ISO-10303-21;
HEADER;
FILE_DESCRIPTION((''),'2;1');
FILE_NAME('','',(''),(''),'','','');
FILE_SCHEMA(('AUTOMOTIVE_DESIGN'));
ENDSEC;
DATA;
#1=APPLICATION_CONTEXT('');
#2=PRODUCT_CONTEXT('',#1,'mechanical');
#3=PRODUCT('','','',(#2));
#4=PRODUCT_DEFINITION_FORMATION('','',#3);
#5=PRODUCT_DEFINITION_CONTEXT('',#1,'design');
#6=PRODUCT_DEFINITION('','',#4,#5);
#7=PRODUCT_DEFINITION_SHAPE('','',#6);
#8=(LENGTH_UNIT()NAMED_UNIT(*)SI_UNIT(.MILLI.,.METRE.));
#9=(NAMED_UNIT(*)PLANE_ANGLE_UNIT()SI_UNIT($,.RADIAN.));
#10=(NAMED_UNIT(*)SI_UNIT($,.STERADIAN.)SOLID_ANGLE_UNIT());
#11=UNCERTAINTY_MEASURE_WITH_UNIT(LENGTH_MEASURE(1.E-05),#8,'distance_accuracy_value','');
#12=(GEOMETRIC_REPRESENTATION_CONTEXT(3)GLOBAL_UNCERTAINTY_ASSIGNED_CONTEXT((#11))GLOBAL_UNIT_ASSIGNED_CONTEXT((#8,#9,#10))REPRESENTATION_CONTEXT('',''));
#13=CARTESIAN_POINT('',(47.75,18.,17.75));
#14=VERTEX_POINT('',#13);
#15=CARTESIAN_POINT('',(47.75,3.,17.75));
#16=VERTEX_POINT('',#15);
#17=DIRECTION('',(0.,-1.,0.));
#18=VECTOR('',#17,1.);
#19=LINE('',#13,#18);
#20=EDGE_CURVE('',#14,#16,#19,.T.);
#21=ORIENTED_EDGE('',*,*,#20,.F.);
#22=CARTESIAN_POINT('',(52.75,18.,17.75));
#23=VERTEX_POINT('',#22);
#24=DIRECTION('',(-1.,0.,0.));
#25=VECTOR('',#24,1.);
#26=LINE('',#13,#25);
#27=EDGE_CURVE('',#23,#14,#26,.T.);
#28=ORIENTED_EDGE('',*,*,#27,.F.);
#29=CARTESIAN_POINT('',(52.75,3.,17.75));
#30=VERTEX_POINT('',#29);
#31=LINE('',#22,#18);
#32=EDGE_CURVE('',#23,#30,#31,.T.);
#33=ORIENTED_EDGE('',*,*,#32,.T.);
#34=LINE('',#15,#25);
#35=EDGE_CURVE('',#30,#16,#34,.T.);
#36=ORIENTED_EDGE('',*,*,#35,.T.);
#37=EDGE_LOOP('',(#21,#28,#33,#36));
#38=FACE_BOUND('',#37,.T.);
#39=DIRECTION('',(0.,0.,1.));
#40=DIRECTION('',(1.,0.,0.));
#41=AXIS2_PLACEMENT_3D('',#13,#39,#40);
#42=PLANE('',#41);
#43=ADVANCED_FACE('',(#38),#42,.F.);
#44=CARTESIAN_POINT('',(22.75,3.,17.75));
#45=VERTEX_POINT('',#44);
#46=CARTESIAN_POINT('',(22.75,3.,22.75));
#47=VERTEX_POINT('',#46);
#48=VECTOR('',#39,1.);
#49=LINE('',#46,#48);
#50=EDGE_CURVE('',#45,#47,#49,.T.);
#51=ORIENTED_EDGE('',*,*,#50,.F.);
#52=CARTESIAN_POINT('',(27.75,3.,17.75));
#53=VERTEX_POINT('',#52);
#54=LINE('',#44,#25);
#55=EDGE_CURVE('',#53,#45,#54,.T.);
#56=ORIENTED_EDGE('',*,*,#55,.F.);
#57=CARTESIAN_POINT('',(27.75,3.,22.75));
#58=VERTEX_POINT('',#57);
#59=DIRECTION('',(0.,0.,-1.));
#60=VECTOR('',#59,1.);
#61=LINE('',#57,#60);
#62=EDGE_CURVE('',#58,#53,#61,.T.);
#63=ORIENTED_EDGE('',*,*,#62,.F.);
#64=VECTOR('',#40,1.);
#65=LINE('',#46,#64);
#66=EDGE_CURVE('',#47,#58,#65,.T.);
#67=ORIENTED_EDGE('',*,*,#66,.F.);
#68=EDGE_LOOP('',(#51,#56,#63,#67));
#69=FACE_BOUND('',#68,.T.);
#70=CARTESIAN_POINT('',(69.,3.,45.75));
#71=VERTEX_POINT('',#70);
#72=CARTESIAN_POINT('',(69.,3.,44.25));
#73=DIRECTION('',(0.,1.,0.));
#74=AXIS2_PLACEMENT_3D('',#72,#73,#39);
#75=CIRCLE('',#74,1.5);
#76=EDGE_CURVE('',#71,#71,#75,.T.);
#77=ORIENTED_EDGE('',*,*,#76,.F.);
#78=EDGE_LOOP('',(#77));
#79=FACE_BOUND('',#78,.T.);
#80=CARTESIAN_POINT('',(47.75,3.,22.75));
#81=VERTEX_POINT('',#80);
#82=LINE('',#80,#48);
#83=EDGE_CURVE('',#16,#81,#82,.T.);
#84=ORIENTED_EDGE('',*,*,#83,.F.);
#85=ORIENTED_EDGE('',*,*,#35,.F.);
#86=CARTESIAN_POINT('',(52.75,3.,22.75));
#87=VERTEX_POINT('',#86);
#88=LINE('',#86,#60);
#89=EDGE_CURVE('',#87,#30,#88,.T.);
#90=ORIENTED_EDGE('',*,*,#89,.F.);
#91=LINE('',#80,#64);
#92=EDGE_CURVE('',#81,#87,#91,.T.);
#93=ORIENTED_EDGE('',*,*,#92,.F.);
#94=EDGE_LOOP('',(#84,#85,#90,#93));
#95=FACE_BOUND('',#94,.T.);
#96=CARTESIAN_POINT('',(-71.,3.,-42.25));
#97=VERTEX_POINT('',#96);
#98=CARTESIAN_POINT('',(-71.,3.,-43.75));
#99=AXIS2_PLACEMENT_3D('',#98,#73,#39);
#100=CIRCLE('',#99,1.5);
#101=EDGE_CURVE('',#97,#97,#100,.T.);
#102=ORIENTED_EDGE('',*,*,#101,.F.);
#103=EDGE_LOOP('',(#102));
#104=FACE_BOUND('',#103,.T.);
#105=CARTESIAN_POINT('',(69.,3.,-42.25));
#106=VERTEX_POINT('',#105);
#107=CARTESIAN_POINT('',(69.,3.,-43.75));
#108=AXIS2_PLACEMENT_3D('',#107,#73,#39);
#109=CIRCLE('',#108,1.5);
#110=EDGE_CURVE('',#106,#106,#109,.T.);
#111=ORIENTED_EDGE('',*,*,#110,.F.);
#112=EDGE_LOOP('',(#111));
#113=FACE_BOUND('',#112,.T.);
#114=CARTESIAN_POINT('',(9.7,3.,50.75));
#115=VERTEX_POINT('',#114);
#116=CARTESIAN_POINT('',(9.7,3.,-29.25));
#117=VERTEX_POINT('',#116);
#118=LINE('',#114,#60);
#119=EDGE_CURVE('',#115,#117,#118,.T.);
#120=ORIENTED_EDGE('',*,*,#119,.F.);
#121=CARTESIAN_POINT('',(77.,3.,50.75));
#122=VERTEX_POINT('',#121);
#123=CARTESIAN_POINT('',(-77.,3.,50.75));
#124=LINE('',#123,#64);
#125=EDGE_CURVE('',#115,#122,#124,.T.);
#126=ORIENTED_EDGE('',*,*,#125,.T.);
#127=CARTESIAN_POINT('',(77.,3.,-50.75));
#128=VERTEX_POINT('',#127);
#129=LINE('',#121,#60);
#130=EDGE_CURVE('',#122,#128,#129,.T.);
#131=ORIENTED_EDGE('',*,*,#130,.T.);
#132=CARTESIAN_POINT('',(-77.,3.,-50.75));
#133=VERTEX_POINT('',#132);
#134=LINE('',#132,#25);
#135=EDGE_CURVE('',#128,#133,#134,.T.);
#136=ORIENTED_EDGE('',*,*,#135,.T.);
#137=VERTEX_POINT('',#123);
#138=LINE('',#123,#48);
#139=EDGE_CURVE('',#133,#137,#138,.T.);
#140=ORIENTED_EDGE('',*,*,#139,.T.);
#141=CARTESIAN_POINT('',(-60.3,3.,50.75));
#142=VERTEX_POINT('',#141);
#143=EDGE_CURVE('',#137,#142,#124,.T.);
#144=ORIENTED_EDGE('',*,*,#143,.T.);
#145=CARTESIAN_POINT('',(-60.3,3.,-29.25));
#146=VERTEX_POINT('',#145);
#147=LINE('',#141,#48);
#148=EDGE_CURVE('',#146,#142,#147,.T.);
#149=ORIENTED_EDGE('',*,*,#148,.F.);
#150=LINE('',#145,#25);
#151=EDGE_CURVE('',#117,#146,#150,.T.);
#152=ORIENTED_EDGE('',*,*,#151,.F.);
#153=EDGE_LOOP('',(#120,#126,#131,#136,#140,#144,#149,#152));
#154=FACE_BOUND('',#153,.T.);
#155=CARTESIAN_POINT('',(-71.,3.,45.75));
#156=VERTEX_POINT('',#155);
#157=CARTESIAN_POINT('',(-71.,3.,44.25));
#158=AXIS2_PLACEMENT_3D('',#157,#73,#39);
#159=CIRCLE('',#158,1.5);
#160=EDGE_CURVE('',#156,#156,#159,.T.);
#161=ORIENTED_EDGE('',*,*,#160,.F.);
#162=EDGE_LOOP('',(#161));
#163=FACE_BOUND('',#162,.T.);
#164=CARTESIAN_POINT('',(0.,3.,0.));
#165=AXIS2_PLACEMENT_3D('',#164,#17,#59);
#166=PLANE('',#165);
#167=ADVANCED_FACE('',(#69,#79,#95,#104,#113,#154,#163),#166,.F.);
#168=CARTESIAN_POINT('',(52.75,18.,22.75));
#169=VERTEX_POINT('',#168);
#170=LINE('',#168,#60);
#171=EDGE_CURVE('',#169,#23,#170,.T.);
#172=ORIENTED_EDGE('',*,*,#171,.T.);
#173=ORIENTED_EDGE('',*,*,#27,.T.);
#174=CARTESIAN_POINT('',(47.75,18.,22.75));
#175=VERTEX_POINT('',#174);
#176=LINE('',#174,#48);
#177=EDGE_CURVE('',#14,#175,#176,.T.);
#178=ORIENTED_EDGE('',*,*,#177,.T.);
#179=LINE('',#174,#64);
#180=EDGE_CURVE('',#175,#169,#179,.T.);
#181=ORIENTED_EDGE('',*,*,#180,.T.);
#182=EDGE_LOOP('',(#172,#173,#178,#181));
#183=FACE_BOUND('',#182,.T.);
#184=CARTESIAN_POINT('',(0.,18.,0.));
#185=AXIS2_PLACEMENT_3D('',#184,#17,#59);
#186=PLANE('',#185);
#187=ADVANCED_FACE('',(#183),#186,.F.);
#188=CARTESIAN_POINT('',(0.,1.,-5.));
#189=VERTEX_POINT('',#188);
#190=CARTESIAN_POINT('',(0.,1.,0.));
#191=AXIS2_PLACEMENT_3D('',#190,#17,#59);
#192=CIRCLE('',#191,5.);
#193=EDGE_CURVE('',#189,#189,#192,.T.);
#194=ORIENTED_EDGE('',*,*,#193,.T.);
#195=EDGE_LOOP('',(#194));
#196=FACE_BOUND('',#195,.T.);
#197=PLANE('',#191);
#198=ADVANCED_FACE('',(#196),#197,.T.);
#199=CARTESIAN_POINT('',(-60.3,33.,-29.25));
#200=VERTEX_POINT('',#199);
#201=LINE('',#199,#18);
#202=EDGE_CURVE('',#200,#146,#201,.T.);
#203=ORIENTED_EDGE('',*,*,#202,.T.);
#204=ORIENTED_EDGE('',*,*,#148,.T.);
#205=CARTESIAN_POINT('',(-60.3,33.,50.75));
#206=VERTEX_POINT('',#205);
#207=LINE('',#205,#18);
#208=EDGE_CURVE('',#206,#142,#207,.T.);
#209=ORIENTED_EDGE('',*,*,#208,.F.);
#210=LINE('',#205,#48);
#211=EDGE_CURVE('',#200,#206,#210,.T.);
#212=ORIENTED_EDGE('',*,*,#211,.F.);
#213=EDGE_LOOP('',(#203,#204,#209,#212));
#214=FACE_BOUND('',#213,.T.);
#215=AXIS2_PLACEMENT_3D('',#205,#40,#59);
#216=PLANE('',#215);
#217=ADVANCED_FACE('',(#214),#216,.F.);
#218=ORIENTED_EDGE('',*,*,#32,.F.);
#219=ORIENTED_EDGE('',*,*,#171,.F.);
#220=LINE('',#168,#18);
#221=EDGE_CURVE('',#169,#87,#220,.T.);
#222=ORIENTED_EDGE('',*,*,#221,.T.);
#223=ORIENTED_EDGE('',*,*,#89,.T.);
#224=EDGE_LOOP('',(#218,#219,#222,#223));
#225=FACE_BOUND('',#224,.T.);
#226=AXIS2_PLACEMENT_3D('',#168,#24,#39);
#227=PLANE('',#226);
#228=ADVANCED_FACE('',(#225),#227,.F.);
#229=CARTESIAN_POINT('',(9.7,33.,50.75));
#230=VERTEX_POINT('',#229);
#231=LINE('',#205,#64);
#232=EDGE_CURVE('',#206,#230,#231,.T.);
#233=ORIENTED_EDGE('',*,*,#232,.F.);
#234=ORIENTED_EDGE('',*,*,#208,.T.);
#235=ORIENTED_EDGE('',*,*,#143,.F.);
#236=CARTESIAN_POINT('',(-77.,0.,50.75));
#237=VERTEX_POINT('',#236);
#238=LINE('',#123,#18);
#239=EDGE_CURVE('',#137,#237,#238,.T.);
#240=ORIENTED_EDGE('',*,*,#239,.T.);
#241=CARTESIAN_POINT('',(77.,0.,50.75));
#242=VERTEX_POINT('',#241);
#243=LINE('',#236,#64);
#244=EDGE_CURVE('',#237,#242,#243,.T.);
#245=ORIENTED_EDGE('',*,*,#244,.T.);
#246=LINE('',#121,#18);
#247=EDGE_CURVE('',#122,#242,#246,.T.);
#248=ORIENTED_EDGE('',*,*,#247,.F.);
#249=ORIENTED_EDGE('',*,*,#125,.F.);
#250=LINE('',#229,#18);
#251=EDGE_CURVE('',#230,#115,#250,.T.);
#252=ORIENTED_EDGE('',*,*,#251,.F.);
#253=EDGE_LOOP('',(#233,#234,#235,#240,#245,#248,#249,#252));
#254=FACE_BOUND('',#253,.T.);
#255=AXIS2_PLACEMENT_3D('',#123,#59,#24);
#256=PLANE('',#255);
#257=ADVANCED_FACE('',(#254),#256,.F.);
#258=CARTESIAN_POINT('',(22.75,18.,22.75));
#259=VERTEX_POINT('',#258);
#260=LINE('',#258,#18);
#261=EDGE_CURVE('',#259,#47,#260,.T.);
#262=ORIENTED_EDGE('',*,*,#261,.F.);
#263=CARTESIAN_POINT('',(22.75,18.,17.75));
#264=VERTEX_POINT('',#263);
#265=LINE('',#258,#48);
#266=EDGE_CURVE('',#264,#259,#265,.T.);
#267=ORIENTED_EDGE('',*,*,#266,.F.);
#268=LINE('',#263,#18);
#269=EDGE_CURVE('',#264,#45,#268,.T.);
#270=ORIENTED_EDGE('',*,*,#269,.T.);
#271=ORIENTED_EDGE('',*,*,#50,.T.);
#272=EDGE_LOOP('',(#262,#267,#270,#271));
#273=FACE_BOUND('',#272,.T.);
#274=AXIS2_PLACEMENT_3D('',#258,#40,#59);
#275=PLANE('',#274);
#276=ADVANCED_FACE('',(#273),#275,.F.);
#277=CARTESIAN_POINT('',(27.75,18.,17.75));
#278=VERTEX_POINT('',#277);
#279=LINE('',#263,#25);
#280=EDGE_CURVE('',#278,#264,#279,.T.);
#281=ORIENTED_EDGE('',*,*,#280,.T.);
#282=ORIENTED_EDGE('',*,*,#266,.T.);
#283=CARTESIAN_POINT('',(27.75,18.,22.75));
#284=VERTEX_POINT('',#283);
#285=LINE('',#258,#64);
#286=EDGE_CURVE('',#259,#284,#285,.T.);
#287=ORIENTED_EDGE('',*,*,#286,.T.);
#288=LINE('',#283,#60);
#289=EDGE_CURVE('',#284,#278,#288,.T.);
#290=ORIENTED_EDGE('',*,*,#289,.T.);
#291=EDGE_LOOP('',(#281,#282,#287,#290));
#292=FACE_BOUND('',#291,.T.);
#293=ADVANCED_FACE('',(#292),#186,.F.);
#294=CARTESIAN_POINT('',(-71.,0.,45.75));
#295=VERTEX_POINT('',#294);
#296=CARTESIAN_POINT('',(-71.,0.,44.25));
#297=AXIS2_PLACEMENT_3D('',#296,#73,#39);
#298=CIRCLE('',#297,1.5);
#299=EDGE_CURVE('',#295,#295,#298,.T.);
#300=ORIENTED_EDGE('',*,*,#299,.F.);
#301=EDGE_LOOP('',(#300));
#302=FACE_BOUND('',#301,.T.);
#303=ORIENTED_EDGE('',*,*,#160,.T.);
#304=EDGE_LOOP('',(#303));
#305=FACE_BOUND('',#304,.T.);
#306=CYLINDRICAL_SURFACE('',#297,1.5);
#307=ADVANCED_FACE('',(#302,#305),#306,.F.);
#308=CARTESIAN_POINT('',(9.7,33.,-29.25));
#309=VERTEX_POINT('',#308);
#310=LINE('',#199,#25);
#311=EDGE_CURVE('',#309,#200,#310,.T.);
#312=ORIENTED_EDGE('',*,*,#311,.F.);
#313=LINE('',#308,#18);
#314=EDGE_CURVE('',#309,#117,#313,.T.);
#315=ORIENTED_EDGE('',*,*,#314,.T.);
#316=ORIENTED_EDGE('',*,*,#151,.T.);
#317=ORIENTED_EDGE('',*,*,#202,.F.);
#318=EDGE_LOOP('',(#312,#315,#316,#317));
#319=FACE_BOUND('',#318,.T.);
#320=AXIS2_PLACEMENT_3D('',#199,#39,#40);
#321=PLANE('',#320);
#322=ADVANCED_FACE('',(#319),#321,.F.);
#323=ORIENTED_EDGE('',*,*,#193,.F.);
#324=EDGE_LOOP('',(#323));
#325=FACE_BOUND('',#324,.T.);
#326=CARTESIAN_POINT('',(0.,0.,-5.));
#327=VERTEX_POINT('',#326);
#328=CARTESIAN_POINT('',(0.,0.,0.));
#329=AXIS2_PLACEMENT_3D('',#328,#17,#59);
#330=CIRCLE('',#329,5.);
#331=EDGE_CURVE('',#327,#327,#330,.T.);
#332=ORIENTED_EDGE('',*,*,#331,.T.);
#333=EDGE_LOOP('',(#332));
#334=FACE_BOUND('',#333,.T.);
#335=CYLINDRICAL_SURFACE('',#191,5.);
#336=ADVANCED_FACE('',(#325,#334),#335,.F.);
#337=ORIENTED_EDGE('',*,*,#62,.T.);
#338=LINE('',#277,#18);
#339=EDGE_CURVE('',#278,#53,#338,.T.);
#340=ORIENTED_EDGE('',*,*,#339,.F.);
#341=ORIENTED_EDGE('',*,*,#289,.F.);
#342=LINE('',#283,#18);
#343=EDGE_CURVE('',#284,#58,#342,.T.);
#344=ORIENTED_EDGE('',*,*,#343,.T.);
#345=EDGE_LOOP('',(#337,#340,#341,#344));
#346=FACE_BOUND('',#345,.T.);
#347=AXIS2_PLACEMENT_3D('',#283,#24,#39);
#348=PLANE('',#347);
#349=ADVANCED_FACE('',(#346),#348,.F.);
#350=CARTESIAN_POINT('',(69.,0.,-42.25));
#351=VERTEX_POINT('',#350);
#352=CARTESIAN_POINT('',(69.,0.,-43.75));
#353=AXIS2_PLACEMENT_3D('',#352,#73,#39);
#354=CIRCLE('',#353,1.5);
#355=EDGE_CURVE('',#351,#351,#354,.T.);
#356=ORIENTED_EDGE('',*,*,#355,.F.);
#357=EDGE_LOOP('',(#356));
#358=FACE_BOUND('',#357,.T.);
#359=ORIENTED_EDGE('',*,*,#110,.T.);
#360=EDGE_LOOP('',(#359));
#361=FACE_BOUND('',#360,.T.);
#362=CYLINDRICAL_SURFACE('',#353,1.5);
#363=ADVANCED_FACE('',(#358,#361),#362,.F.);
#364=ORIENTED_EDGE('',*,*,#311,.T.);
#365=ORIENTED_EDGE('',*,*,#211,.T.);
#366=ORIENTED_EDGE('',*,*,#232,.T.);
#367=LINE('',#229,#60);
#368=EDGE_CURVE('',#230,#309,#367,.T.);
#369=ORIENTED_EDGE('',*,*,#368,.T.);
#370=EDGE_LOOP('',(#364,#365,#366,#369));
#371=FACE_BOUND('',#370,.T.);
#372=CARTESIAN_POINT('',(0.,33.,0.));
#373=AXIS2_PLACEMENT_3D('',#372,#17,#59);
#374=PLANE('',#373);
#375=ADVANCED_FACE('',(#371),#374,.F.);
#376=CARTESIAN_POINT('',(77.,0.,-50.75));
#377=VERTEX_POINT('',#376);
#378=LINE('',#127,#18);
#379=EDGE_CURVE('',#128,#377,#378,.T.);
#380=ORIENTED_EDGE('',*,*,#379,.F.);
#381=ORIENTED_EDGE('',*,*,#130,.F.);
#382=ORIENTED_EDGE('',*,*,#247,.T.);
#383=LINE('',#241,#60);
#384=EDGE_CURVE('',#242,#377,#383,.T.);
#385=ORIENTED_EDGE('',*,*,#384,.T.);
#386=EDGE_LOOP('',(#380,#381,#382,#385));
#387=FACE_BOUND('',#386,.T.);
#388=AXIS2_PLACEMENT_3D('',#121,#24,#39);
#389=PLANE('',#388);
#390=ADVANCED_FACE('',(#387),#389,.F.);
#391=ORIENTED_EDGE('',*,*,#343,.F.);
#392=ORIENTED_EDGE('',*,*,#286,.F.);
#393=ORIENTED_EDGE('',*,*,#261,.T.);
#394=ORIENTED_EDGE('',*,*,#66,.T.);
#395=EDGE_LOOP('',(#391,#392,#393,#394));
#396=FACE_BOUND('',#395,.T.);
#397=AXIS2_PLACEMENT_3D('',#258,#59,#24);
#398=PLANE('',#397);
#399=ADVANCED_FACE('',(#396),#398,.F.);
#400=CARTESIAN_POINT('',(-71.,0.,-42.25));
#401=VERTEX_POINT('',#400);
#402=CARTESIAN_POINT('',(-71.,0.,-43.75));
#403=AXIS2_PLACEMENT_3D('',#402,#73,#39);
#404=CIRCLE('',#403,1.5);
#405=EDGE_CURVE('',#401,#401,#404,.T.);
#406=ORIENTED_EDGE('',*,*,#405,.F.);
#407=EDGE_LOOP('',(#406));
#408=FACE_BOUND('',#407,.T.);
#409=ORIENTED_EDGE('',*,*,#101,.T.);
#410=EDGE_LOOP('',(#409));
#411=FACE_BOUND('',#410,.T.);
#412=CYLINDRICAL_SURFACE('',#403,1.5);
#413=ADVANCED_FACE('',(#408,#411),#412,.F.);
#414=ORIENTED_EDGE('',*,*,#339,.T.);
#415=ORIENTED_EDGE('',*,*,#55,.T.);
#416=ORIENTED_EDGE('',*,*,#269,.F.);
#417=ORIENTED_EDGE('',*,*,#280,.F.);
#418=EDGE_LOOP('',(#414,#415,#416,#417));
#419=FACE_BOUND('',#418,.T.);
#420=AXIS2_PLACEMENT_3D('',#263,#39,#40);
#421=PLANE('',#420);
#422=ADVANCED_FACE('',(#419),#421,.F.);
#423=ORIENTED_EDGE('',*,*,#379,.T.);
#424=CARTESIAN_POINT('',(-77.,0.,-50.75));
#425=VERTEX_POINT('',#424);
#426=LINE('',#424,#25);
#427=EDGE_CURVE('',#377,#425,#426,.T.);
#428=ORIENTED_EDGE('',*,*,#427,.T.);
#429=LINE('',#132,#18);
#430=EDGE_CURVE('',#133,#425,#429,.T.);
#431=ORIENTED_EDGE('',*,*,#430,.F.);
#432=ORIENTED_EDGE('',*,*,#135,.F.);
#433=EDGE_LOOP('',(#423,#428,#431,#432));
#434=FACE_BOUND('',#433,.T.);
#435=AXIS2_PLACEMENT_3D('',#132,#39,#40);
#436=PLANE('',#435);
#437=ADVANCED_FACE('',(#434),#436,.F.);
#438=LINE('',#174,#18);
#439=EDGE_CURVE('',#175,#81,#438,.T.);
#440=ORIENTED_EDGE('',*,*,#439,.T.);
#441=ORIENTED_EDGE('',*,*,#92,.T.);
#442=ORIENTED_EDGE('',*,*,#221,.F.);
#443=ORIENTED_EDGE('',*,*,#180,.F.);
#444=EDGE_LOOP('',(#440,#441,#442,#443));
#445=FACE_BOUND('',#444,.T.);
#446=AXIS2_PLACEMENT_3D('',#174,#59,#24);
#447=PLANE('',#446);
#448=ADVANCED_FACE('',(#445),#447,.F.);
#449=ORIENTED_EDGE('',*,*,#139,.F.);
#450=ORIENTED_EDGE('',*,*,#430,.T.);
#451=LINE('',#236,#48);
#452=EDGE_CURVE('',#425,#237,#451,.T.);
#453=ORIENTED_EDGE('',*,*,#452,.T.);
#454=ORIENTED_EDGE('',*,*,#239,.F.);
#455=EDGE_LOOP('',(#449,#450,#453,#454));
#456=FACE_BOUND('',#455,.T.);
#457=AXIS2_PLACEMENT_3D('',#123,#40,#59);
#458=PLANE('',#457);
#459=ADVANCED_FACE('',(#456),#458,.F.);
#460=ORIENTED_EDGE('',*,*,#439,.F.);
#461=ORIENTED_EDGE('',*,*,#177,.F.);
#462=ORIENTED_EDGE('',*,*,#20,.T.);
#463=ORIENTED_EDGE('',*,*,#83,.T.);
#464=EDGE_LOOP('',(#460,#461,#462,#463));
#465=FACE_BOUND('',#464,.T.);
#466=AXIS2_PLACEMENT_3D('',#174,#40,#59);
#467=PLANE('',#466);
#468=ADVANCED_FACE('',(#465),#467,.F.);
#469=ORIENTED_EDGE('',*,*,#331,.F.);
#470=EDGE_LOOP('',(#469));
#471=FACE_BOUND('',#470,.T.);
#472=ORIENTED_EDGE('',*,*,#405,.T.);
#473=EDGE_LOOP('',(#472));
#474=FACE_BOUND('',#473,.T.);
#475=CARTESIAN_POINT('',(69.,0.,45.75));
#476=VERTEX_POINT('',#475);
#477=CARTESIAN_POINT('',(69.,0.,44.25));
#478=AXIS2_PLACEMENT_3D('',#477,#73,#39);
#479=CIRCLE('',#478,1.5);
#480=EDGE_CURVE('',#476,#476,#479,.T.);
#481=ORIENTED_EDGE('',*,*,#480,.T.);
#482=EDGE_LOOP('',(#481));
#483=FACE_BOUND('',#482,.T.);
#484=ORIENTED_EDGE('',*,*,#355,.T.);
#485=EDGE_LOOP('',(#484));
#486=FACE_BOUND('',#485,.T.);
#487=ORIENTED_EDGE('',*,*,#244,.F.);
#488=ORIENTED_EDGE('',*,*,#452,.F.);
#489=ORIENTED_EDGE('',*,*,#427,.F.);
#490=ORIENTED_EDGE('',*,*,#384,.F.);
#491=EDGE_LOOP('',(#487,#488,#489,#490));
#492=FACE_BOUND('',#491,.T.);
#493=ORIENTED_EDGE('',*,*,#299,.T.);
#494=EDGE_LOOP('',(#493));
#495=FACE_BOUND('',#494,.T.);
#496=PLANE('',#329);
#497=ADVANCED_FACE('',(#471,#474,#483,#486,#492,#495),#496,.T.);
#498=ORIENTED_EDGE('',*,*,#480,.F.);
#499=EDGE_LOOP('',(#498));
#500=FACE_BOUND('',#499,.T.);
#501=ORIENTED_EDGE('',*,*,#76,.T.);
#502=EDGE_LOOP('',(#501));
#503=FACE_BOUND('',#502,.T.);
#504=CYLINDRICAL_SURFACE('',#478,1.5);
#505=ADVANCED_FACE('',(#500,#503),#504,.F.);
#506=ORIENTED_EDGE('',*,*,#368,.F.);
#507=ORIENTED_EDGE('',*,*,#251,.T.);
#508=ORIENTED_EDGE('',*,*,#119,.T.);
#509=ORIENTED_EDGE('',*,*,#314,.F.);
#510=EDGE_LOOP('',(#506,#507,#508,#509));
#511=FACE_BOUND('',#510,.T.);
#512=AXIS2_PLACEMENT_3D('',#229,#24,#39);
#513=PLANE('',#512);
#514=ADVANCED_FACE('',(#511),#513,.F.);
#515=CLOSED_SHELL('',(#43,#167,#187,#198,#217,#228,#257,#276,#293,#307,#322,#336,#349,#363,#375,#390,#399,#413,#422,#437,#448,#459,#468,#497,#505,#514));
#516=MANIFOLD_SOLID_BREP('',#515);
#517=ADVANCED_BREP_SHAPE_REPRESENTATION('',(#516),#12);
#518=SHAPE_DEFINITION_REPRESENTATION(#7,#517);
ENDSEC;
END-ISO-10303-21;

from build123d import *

# Parameters (mm, degrees)
ESQUISSE1_W             = 154
ESQUISSE1_H             = 101.5
BOSS_EXTRU_1_DEPTH      = 3
ESQUISSE2_R             = 1.5
ENL_V_MAT_EXTRU_1_DEPTH = 3
ESQUISSE3_W             = 70
ESQUISSE3_H             = 80
BOSS_EXTRU_2_DEPTH      = 30
ESQUISSE4_W             = 5
ESQUISSE4_H             = 5
BOSS_EXTRU_3_DEPTH      = 15
ESQUISSE5_R             = 5
ENL_V_MAT_EXTRU_2_DEPTH = 1


with BuildPart() as part:
    # Esquisse1 → Boss.-Extru.1 (new body)
    with BuildSketch(Plane(origin=(0, 0, 0), x_dir=(1, 0, 0), z_dir=(0, 1, 0))):
        Rectangle(ESQUISSE1_W, ESQUISSE1_H)
    extrude(amount=BOSS_EXTRU_1_DEPTH)

    # Esquisse2 → Enlèv. mat.-Extru.1 (cut)
    with BuildSketch(Plane(origin=(0, 3, 0), x_dir=(1, 0, 0), z_dir=(0, 1, 0))):
        with Locations((-71, 43.75)):
            Circle(ESQUISSE2_R)
        with Locations((69, 43.75)):
            Circle(ESQUISSE2_R)
        with Locations((-71, -44.25)):
            Circle(ESQUISSE2_R)
        with Locations((69, -44.25)):
            Circle(ESQUISSE2_R)
    extrude(amount=-ENL_V_MAT_EXTRU_1_DEPTH, mode=Mode.SUBTRACT)

    # Esquisse3 → Boss.-Extru.2 (add)
    with BuildSketch(Plane(origin=(0, 3, 0), x_dir=(1, 0, 0), z_dir=(0, 1, 0))):
        with Locations((-25.3, -10.75)):
            Rectangle(ESQUISSE3_W, ESQUISSE3_H)
    extrude(amount=BOSS_EXTRU_2_DEPTH)

    # Esquisse4 → Boss.-Extru.3 (add)
    with BuildSketch(Plane(origin=(0, 3, 0), x_dir=(1, 0, 0), z_dir=(0, 1, 0))):
        with Locations((25.25, -20.25)):
            Rectangle(ESQUISSE4_W, ESQUISSE4_H)
        with Locations((50.25, -20.25)):
            Rectangle(ESQUISSE4_W, ESQUISSE4_H)
    extrude(amount=BOSS_EXTRU_3_DEPTH)

    # Esquisse5 → Enlèv. mat.-Extru.2 (cut)
    with BuildSketch(Plane.XZ):
        Circle(ESQUISSE5_R)
    extrude(amount=-ENL_V_MAT_EXTRU_2_DEPTH, mode=Mode.SUBTRACT)


solid = part.part
